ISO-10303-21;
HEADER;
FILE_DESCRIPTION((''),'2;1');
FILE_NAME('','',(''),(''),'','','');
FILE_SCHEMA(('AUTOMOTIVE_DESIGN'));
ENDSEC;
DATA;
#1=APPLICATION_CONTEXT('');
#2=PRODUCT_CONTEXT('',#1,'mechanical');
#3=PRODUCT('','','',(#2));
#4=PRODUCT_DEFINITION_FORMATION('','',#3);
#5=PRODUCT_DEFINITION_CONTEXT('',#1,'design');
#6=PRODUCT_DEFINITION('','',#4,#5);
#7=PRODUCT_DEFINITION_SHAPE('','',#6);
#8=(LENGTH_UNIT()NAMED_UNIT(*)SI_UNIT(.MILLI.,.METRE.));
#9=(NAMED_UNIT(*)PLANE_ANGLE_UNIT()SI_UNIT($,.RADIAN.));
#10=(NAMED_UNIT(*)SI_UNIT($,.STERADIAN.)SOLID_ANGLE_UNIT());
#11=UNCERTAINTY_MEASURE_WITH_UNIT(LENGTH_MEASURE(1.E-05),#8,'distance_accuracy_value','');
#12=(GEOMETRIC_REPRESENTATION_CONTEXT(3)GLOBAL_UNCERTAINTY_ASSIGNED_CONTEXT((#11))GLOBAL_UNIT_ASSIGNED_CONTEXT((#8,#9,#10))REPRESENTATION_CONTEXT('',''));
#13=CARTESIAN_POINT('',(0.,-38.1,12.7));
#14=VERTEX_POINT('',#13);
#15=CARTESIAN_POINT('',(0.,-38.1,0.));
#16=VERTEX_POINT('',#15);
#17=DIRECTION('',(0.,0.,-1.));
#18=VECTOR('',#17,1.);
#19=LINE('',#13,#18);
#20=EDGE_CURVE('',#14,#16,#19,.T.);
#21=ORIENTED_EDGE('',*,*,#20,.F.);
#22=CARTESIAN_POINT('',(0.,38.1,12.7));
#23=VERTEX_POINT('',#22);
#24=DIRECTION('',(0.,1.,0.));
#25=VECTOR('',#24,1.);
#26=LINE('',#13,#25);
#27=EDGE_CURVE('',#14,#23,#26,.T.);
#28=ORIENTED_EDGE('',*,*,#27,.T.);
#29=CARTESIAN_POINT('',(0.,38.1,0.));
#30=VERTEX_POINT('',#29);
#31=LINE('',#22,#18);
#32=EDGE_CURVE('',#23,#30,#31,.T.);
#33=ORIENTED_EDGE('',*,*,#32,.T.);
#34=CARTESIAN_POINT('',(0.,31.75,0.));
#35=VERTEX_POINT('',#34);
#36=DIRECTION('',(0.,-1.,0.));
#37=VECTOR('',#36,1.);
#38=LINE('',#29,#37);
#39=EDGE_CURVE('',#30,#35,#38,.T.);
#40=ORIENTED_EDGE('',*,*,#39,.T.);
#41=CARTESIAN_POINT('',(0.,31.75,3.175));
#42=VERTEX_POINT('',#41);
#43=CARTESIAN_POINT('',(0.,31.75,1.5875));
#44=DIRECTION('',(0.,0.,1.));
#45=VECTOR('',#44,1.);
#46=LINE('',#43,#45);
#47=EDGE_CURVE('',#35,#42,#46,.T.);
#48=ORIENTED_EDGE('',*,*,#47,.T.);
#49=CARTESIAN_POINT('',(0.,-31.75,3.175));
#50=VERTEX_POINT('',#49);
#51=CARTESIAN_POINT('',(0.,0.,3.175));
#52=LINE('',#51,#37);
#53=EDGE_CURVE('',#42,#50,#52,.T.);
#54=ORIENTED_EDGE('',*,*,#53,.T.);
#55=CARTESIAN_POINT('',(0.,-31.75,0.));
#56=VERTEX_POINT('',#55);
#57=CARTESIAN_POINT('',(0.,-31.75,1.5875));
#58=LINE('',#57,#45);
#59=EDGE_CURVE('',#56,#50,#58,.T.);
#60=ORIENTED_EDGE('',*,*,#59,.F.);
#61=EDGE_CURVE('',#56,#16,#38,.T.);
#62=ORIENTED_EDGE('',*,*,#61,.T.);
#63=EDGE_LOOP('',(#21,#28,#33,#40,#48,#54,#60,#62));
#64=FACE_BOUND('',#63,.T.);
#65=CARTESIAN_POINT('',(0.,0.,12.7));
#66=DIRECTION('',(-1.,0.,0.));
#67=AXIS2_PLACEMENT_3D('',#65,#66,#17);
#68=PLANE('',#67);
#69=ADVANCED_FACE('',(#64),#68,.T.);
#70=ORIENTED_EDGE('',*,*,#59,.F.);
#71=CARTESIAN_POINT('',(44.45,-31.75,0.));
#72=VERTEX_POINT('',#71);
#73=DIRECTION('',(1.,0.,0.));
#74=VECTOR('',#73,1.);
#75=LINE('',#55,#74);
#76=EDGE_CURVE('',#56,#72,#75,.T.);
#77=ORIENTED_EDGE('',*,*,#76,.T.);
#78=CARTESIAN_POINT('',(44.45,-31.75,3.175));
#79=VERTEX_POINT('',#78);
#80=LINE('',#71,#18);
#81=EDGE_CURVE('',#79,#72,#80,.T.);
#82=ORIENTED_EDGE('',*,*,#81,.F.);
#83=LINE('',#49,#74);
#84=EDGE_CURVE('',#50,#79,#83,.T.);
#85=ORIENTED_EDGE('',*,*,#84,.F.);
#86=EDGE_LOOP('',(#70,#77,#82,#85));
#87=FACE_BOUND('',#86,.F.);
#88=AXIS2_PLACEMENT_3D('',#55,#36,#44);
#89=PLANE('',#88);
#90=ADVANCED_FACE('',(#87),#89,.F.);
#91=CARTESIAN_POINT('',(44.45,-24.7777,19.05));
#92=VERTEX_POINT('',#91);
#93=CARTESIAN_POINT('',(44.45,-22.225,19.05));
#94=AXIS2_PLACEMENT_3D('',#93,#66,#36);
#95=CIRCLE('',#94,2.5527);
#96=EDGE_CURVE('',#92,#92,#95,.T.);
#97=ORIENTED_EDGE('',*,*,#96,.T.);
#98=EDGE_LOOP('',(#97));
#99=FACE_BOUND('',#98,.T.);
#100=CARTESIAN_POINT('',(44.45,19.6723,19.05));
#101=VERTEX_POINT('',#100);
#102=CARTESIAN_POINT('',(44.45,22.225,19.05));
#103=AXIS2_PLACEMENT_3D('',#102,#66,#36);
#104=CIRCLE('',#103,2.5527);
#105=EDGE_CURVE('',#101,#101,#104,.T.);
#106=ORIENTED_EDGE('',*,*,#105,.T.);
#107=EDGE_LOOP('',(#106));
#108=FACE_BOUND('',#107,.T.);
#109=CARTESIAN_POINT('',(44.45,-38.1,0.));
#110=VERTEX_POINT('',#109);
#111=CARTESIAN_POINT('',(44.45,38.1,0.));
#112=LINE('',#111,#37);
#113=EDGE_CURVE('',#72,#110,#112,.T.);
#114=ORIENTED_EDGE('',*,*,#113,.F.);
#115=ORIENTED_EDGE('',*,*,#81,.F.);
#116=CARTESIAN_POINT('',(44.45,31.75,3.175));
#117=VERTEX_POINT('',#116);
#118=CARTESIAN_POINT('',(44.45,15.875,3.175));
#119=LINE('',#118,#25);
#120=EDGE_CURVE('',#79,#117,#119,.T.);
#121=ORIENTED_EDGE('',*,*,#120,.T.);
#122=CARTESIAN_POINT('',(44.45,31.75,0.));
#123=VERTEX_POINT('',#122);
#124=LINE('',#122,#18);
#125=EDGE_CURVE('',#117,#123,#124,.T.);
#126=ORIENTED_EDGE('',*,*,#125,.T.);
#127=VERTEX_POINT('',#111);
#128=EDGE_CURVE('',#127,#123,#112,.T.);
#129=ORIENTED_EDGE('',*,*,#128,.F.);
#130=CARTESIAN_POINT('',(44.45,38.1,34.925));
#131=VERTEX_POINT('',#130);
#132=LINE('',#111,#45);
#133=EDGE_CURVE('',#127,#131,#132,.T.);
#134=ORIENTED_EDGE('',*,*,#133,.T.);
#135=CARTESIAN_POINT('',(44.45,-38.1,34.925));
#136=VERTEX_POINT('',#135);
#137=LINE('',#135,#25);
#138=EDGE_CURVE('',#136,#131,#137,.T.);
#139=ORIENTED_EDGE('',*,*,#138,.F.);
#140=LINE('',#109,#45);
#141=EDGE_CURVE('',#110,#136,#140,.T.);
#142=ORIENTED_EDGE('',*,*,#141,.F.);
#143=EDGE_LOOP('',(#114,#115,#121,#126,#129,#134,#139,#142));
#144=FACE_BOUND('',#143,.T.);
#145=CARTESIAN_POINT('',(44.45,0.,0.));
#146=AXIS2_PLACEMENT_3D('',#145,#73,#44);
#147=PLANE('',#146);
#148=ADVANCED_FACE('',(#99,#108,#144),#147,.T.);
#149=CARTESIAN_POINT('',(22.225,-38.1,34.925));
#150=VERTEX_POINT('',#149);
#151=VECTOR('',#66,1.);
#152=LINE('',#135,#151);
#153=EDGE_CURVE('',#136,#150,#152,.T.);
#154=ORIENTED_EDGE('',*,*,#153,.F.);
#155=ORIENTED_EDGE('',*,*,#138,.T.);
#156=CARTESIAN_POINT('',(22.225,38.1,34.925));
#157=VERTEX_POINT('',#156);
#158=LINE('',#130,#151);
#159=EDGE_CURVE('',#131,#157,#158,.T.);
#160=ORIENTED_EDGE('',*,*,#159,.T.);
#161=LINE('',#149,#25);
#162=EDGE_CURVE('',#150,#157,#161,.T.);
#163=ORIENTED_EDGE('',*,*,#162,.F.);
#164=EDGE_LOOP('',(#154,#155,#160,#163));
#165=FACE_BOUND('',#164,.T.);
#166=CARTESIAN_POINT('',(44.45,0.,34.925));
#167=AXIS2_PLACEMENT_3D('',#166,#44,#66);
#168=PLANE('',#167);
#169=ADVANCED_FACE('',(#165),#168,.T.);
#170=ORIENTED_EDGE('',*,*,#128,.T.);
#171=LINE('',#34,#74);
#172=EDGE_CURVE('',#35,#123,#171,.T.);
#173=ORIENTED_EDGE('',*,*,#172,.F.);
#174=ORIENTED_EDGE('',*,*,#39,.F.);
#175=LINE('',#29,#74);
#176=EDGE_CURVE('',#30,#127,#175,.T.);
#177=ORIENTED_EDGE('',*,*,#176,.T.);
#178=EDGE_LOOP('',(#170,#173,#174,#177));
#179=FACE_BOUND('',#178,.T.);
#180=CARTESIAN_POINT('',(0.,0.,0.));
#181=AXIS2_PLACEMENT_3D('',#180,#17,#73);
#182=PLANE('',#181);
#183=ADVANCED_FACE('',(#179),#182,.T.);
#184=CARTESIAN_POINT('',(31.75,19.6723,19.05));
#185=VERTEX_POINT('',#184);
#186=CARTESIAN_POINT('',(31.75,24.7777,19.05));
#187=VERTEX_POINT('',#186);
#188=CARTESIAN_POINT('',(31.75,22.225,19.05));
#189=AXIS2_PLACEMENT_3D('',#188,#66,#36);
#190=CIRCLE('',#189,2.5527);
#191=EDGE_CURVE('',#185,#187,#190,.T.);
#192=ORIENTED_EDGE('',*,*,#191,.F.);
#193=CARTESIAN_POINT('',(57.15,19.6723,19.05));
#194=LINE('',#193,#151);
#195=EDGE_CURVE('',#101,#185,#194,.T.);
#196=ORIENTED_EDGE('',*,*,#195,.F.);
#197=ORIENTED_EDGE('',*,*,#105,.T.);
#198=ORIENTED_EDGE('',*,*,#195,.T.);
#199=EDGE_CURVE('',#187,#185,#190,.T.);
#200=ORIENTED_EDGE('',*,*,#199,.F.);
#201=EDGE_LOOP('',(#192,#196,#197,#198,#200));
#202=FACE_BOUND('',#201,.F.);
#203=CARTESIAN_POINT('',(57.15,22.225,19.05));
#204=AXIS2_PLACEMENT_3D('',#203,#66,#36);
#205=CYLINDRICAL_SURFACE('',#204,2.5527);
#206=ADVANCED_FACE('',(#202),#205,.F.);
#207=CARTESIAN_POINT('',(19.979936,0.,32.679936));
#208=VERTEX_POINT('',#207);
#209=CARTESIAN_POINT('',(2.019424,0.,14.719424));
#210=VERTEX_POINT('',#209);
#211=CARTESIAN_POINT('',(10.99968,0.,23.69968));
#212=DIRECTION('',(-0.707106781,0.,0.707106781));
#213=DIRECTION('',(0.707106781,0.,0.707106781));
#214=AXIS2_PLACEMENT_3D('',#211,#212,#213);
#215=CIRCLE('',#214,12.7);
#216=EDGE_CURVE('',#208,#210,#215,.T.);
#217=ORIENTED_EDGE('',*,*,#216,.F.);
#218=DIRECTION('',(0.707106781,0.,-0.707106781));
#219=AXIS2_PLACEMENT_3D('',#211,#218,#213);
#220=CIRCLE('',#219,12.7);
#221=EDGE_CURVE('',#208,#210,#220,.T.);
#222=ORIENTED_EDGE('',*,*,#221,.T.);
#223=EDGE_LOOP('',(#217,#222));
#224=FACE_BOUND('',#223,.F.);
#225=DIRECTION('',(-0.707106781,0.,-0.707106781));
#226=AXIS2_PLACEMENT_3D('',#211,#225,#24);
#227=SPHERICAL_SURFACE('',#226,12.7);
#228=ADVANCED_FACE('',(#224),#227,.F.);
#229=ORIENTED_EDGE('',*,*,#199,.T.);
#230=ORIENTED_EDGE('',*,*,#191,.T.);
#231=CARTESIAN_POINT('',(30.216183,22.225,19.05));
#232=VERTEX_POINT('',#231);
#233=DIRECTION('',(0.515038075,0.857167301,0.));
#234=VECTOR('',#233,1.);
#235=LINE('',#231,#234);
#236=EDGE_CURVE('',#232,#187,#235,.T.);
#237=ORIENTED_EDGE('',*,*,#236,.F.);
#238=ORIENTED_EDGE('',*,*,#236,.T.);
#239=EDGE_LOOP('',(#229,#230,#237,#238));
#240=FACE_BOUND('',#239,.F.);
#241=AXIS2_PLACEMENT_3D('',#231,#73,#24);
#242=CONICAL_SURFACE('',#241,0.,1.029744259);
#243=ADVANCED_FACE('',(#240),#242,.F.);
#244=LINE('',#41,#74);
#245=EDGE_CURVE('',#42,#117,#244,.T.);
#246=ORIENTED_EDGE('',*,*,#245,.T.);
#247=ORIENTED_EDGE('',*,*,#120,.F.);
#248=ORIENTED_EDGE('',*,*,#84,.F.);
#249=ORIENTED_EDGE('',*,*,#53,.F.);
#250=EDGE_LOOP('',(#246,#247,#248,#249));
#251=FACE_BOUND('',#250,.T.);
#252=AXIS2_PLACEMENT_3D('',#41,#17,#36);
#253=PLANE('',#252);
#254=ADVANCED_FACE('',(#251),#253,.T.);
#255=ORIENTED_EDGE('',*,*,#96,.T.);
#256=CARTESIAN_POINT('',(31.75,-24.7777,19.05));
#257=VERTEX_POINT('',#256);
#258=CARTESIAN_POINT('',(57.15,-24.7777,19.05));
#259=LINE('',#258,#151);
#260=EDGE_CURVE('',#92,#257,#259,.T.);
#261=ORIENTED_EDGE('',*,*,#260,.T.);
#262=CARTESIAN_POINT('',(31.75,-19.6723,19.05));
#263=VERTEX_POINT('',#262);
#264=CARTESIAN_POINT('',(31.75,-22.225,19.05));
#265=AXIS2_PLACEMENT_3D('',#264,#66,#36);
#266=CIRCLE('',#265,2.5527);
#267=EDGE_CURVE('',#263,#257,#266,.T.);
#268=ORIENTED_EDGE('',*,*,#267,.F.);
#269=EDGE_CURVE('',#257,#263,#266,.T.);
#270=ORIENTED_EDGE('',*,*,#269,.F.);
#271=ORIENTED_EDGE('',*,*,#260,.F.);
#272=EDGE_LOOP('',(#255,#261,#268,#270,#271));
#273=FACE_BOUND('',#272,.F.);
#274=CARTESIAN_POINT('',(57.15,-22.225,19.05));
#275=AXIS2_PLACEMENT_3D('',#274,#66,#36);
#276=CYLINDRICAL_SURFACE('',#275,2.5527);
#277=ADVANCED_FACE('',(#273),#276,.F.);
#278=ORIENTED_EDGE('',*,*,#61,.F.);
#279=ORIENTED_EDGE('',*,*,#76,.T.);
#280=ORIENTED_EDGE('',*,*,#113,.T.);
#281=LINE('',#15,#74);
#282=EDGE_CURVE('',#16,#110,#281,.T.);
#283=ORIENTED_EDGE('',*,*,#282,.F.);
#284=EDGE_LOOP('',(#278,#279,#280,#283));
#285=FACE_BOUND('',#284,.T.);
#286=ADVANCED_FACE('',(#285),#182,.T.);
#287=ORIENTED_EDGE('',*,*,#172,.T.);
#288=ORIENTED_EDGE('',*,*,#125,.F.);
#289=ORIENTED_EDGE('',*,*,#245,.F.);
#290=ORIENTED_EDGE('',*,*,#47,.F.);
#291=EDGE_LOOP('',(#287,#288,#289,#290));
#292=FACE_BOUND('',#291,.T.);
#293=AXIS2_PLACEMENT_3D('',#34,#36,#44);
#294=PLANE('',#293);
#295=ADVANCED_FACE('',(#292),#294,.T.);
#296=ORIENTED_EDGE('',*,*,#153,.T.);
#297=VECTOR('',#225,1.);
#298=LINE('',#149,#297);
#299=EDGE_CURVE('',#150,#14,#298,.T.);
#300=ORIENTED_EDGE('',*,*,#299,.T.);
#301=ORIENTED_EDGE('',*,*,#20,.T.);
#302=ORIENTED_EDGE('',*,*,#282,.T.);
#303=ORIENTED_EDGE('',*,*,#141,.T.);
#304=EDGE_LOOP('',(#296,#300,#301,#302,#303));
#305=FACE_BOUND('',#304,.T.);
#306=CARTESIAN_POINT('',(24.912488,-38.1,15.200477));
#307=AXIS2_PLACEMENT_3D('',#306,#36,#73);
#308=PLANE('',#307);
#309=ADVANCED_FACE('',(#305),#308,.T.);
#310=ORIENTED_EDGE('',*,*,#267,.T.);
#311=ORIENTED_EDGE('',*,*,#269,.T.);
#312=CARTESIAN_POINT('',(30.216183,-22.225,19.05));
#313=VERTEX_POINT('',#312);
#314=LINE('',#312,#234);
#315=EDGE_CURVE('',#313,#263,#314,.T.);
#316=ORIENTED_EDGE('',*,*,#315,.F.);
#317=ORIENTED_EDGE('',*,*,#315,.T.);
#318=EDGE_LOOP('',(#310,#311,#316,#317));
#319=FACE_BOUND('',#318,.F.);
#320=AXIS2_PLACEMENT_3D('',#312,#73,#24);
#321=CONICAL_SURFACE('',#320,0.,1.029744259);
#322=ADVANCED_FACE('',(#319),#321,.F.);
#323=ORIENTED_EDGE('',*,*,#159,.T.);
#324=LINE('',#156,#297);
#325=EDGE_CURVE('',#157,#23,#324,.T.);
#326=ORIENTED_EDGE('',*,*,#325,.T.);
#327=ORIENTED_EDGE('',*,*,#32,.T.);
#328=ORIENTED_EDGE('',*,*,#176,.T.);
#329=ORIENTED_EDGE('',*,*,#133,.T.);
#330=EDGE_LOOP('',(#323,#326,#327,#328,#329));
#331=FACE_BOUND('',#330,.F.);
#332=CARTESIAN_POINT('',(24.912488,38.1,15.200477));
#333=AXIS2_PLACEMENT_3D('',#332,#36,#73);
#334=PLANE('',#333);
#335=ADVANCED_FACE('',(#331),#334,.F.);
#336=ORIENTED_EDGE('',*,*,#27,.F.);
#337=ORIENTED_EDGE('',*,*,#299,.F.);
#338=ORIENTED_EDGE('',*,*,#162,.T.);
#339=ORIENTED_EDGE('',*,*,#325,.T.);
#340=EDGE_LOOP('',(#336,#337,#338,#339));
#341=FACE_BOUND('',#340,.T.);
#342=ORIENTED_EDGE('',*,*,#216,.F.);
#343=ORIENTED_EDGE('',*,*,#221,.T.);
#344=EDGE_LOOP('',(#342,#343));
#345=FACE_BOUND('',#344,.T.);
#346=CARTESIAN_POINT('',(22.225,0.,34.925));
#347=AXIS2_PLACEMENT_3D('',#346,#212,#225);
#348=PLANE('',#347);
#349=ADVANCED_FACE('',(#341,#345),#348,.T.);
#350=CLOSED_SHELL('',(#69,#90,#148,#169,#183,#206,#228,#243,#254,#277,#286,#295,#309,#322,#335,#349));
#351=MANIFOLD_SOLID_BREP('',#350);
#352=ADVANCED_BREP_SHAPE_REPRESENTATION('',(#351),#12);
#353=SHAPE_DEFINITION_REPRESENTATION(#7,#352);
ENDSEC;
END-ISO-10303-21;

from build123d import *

# Parameters (mm, degrees)
F1_DEPTH = 38.1
F2_W     = 63.5
F2_H     = 3.175
F3_DEPTH = 44.451
F5_D     = 5.1054
F5_DEPTH = 12.7
F5_TIP   = 1.5338169022
F7_ANGLE = 180


with BuildPart() as f1:
    # F0 (on Front) → F1 (new body, symmetric)
    with BuildSketch(Plane.XZ):
        Polygon((0, 12.7), (0, 0), (44.45, 0), (44.45, 34.925), (22.225, 34.925), align=None)
    extrude(amount=F1_DEPTH, both=True)

    # F2 (on face) → F3 (cut, through all)
    with BuildSketch(Plane(origin=(0, 0, 0), x_dir=(0, -1, 0), z_dir=(-1, 0, 0))):
        with Locations((0, 1.5875)):
            Rectangle(F2_W, F2_H)
    extrude(amount=-F3_DEPTH, mode=Mode.SUBTRACT)

    # F5
    with Locations(Plane.YZ.offset(44.45)):
        with Locations((-22.225, 19.05), (22.225, 19.05)):
            Hole(F5_D / 2, depth=F5_DEPTH)
            with Locations((0, 0, -(F5_DEPTH + F5_TIP / 2))):  # 118° drill point
                Cone(0, F5_D / 2, F5_TIP, mode=Mode.SUBTRACT)

    # F6 (on face) → F7 (revolve, cut)
    with BuildSketch(Plane(origin=(-6.35, 0, 6.35), x_dir=(0, -1, 0), z_dir=(-0.7071067812, 0, 0.7071067812))):
        with BuildLine():
            Line((0, 11.8361525448), (0, 37.2361525448))
            ThreePointArc((0, 37.2361525448), (-12.7, 24.5361525448), (0, 11.8361525448))
        make_face()
    revolve(axis=Axis((10.9996798487, 0, 23.6996798487), (-0.7071067812, 0, -0.7071067812)), revolution_arc=F7_ANGLE, mode=Mode.SUBTRACT)


solid = f1.part
